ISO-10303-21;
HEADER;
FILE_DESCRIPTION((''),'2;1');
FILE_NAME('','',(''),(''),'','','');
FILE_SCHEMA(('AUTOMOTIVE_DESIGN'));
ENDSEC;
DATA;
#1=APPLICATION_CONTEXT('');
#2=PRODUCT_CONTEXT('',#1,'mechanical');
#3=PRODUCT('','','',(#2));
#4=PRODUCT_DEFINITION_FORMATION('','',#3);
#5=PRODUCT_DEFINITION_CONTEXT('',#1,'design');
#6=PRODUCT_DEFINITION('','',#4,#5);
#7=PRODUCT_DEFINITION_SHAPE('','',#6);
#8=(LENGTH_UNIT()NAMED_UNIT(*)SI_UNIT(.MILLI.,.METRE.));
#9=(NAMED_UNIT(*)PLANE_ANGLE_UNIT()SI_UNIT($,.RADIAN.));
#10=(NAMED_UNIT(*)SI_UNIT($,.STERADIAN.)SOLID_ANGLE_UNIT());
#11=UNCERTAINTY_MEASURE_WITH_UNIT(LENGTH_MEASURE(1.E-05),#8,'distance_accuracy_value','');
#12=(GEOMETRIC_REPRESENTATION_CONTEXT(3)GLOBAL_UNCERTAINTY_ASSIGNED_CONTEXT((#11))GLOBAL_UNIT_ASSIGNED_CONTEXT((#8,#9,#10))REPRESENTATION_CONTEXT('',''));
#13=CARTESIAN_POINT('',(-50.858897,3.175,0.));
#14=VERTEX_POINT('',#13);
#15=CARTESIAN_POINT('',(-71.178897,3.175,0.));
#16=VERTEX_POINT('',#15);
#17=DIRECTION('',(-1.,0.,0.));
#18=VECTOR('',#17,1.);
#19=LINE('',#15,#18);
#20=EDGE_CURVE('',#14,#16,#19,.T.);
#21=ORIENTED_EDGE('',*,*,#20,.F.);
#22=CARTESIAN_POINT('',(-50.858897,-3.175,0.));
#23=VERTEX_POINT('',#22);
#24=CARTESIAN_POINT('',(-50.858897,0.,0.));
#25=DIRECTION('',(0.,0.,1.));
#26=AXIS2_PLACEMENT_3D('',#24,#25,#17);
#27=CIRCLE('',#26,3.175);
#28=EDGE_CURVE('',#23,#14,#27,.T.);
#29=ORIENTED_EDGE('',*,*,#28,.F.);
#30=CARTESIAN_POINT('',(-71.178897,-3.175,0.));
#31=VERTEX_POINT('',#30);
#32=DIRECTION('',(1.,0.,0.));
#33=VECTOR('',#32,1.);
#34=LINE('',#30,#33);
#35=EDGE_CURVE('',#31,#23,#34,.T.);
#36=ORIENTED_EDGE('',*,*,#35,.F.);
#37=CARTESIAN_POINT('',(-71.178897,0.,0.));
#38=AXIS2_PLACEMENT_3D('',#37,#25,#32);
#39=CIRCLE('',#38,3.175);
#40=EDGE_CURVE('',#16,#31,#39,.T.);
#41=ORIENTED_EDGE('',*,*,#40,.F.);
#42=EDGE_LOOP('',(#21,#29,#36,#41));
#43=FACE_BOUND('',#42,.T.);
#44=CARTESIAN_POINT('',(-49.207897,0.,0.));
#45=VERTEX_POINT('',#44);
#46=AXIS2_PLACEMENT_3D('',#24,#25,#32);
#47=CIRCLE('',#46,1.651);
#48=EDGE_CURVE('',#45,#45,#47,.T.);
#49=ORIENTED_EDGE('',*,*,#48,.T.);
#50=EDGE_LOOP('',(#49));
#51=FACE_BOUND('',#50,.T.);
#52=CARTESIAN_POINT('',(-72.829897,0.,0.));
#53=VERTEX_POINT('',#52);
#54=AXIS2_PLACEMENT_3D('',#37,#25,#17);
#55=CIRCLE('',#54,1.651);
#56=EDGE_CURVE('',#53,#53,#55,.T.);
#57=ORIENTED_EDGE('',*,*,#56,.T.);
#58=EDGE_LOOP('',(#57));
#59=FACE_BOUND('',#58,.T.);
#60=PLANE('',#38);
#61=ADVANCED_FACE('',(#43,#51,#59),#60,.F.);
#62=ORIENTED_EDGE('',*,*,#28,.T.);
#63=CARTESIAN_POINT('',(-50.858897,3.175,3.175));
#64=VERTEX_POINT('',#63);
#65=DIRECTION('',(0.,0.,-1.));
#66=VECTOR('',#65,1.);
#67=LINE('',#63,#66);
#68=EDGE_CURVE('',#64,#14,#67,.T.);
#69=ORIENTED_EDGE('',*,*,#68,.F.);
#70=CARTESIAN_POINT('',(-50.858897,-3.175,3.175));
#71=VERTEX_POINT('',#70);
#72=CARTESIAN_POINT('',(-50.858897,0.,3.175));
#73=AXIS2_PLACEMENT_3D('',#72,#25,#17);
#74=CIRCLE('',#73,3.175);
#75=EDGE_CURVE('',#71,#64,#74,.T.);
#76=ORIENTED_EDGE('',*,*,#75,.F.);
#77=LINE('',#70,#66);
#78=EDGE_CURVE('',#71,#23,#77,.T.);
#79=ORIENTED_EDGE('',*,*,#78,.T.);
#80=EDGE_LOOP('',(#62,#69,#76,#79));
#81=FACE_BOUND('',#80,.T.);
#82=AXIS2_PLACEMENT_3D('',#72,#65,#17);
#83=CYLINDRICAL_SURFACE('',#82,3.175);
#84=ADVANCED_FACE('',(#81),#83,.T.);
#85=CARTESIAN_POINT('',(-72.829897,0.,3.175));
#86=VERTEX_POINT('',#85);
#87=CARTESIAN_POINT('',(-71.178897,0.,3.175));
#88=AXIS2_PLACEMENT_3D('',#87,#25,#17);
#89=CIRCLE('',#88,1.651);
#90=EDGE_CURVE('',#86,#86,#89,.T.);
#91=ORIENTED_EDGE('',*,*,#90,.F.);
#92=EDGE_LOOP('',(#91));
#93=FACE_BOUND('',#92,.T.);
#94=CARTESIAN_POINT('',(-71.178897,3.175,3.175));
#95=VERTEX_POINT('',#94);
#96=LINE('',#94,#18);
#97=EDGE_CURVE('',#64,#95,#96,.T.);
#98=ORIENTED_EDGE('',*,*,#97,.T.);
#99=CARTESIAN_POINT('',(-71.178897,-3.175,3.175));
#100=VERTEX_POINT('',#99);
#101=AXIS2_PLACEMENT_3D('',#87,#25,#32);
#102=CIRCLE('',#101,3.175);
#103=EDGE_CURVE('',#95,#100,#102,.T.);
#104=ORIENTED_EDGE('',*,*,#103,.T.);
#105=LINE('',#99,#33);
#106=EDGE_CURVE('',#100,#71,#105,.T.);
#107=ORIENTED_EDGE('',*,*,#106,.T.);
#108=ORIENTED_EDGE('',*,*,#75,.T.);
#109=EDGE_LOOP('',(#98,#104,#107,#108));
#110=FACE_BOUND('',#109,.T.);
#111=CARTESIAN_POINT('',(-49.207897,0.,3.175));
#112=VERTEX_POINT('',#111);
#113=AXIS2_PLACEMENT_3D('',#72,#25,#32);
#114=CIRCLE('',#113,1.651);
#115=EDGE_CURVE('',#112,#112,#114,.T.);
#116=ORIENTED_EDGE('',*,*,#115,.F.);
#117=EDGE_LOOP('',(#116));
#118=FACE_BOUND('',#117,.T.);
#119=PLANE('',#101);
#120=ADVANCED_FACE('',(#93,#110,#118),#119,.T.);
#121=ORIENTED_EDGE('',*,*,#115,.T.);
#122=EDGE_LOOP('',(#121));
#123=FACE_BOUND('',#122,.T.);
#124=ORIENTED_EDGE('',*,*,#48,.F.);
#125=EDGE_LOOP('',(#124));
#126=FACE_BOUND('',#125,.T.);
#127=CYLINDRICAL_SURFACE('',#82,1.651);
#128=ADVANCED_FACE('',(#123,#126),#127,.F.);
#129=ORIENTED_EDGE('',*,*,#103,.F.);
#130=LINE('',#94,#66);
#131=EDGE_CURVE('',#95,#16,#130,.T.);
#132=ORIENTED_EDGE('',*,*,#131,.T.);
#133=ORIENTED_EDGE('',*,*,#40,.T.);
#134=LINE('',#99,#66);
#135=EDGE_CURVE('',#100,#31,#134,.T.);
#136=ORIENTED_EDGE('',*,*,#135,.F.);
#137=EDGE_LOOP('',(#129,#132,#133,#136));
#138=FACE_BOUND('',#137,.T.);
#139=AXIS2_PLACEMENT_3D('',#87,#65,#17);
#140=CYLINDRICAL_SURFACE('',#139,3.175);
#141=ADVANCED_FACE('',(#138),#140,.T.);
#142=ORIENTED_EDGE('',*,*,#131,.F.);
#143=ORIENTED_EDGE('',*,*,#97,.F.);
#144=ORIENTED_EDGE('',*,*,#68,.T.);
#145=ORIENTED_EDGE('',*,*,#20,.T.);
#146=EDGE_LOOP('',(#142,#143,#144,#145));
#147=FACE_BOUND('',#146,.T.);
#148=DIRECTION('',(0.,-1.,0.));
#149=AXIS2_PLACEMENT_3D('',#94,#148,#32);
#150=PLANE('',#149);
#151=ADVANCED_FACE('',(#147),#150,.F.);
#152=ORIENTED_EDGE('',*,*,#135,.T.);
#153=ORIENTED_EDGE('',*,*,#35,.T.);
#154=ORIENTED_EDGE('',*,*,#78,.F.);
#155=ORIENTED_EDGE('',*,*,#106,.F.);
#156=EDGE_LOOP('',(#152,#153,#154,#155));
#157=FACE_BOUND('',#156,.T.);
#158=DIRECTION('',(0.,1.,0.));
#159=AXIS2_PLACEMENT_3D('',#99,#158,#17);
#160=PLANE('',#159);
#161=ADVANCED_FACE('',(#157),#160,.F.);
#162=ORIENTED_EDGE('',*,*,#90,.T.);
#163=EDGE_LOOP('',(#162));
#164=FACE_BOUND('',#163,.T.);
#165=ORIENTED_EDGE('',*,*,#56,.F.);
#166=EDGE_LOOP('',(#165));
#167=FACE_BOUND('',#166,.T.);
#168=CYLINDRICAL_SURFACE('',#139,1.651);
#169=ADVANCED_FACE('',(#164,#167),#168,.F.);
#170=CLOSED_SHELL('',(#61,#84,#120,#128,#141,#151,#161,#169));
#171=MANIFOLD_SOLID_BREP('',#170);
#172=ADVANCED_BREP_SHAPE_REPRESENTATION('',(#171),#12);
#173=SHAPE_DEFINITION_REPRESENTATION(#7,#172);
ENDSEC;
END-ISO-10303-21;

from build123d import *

# Parameters (mm, degrees)
SKETCH1_R           = 1.651
BOSS_EXTRUDE1_DEPTH = 3.175


with BuildPart() as part:
    # Sketch1 → Boss-Extrude1 (new body)
    with BuildSketch(Plane.XY):
        with BuildLine():
            Line((-71.178896696, 3.175), (-50.858896696, 3.175))
            ThreePointArc((-50.858896696, 3.175), (-47.683896696, 0), (-50.858896696, -3.175))
            Line((-50.858896696, -3.175), (-71.178896696, -3.175))
            ThreePointArc((-71.178896696, -3.175), (-74.353896696, 0), (-71.178896696, 3.175))
        make_face()
        with Locations((-50.858896696, 0)):
            Circle(SKETCH1_R, mode=Mode.SUBTRACT)
        with Locations(Location((-71.178896696, 0, 0), (0, 0, 180))):
            Circle(SKETCH1_R, mode=Mode.SUBTRACT)
    extrude(amount=BOSS_EXTRUDE1_DEPTH)


solid = part.part
